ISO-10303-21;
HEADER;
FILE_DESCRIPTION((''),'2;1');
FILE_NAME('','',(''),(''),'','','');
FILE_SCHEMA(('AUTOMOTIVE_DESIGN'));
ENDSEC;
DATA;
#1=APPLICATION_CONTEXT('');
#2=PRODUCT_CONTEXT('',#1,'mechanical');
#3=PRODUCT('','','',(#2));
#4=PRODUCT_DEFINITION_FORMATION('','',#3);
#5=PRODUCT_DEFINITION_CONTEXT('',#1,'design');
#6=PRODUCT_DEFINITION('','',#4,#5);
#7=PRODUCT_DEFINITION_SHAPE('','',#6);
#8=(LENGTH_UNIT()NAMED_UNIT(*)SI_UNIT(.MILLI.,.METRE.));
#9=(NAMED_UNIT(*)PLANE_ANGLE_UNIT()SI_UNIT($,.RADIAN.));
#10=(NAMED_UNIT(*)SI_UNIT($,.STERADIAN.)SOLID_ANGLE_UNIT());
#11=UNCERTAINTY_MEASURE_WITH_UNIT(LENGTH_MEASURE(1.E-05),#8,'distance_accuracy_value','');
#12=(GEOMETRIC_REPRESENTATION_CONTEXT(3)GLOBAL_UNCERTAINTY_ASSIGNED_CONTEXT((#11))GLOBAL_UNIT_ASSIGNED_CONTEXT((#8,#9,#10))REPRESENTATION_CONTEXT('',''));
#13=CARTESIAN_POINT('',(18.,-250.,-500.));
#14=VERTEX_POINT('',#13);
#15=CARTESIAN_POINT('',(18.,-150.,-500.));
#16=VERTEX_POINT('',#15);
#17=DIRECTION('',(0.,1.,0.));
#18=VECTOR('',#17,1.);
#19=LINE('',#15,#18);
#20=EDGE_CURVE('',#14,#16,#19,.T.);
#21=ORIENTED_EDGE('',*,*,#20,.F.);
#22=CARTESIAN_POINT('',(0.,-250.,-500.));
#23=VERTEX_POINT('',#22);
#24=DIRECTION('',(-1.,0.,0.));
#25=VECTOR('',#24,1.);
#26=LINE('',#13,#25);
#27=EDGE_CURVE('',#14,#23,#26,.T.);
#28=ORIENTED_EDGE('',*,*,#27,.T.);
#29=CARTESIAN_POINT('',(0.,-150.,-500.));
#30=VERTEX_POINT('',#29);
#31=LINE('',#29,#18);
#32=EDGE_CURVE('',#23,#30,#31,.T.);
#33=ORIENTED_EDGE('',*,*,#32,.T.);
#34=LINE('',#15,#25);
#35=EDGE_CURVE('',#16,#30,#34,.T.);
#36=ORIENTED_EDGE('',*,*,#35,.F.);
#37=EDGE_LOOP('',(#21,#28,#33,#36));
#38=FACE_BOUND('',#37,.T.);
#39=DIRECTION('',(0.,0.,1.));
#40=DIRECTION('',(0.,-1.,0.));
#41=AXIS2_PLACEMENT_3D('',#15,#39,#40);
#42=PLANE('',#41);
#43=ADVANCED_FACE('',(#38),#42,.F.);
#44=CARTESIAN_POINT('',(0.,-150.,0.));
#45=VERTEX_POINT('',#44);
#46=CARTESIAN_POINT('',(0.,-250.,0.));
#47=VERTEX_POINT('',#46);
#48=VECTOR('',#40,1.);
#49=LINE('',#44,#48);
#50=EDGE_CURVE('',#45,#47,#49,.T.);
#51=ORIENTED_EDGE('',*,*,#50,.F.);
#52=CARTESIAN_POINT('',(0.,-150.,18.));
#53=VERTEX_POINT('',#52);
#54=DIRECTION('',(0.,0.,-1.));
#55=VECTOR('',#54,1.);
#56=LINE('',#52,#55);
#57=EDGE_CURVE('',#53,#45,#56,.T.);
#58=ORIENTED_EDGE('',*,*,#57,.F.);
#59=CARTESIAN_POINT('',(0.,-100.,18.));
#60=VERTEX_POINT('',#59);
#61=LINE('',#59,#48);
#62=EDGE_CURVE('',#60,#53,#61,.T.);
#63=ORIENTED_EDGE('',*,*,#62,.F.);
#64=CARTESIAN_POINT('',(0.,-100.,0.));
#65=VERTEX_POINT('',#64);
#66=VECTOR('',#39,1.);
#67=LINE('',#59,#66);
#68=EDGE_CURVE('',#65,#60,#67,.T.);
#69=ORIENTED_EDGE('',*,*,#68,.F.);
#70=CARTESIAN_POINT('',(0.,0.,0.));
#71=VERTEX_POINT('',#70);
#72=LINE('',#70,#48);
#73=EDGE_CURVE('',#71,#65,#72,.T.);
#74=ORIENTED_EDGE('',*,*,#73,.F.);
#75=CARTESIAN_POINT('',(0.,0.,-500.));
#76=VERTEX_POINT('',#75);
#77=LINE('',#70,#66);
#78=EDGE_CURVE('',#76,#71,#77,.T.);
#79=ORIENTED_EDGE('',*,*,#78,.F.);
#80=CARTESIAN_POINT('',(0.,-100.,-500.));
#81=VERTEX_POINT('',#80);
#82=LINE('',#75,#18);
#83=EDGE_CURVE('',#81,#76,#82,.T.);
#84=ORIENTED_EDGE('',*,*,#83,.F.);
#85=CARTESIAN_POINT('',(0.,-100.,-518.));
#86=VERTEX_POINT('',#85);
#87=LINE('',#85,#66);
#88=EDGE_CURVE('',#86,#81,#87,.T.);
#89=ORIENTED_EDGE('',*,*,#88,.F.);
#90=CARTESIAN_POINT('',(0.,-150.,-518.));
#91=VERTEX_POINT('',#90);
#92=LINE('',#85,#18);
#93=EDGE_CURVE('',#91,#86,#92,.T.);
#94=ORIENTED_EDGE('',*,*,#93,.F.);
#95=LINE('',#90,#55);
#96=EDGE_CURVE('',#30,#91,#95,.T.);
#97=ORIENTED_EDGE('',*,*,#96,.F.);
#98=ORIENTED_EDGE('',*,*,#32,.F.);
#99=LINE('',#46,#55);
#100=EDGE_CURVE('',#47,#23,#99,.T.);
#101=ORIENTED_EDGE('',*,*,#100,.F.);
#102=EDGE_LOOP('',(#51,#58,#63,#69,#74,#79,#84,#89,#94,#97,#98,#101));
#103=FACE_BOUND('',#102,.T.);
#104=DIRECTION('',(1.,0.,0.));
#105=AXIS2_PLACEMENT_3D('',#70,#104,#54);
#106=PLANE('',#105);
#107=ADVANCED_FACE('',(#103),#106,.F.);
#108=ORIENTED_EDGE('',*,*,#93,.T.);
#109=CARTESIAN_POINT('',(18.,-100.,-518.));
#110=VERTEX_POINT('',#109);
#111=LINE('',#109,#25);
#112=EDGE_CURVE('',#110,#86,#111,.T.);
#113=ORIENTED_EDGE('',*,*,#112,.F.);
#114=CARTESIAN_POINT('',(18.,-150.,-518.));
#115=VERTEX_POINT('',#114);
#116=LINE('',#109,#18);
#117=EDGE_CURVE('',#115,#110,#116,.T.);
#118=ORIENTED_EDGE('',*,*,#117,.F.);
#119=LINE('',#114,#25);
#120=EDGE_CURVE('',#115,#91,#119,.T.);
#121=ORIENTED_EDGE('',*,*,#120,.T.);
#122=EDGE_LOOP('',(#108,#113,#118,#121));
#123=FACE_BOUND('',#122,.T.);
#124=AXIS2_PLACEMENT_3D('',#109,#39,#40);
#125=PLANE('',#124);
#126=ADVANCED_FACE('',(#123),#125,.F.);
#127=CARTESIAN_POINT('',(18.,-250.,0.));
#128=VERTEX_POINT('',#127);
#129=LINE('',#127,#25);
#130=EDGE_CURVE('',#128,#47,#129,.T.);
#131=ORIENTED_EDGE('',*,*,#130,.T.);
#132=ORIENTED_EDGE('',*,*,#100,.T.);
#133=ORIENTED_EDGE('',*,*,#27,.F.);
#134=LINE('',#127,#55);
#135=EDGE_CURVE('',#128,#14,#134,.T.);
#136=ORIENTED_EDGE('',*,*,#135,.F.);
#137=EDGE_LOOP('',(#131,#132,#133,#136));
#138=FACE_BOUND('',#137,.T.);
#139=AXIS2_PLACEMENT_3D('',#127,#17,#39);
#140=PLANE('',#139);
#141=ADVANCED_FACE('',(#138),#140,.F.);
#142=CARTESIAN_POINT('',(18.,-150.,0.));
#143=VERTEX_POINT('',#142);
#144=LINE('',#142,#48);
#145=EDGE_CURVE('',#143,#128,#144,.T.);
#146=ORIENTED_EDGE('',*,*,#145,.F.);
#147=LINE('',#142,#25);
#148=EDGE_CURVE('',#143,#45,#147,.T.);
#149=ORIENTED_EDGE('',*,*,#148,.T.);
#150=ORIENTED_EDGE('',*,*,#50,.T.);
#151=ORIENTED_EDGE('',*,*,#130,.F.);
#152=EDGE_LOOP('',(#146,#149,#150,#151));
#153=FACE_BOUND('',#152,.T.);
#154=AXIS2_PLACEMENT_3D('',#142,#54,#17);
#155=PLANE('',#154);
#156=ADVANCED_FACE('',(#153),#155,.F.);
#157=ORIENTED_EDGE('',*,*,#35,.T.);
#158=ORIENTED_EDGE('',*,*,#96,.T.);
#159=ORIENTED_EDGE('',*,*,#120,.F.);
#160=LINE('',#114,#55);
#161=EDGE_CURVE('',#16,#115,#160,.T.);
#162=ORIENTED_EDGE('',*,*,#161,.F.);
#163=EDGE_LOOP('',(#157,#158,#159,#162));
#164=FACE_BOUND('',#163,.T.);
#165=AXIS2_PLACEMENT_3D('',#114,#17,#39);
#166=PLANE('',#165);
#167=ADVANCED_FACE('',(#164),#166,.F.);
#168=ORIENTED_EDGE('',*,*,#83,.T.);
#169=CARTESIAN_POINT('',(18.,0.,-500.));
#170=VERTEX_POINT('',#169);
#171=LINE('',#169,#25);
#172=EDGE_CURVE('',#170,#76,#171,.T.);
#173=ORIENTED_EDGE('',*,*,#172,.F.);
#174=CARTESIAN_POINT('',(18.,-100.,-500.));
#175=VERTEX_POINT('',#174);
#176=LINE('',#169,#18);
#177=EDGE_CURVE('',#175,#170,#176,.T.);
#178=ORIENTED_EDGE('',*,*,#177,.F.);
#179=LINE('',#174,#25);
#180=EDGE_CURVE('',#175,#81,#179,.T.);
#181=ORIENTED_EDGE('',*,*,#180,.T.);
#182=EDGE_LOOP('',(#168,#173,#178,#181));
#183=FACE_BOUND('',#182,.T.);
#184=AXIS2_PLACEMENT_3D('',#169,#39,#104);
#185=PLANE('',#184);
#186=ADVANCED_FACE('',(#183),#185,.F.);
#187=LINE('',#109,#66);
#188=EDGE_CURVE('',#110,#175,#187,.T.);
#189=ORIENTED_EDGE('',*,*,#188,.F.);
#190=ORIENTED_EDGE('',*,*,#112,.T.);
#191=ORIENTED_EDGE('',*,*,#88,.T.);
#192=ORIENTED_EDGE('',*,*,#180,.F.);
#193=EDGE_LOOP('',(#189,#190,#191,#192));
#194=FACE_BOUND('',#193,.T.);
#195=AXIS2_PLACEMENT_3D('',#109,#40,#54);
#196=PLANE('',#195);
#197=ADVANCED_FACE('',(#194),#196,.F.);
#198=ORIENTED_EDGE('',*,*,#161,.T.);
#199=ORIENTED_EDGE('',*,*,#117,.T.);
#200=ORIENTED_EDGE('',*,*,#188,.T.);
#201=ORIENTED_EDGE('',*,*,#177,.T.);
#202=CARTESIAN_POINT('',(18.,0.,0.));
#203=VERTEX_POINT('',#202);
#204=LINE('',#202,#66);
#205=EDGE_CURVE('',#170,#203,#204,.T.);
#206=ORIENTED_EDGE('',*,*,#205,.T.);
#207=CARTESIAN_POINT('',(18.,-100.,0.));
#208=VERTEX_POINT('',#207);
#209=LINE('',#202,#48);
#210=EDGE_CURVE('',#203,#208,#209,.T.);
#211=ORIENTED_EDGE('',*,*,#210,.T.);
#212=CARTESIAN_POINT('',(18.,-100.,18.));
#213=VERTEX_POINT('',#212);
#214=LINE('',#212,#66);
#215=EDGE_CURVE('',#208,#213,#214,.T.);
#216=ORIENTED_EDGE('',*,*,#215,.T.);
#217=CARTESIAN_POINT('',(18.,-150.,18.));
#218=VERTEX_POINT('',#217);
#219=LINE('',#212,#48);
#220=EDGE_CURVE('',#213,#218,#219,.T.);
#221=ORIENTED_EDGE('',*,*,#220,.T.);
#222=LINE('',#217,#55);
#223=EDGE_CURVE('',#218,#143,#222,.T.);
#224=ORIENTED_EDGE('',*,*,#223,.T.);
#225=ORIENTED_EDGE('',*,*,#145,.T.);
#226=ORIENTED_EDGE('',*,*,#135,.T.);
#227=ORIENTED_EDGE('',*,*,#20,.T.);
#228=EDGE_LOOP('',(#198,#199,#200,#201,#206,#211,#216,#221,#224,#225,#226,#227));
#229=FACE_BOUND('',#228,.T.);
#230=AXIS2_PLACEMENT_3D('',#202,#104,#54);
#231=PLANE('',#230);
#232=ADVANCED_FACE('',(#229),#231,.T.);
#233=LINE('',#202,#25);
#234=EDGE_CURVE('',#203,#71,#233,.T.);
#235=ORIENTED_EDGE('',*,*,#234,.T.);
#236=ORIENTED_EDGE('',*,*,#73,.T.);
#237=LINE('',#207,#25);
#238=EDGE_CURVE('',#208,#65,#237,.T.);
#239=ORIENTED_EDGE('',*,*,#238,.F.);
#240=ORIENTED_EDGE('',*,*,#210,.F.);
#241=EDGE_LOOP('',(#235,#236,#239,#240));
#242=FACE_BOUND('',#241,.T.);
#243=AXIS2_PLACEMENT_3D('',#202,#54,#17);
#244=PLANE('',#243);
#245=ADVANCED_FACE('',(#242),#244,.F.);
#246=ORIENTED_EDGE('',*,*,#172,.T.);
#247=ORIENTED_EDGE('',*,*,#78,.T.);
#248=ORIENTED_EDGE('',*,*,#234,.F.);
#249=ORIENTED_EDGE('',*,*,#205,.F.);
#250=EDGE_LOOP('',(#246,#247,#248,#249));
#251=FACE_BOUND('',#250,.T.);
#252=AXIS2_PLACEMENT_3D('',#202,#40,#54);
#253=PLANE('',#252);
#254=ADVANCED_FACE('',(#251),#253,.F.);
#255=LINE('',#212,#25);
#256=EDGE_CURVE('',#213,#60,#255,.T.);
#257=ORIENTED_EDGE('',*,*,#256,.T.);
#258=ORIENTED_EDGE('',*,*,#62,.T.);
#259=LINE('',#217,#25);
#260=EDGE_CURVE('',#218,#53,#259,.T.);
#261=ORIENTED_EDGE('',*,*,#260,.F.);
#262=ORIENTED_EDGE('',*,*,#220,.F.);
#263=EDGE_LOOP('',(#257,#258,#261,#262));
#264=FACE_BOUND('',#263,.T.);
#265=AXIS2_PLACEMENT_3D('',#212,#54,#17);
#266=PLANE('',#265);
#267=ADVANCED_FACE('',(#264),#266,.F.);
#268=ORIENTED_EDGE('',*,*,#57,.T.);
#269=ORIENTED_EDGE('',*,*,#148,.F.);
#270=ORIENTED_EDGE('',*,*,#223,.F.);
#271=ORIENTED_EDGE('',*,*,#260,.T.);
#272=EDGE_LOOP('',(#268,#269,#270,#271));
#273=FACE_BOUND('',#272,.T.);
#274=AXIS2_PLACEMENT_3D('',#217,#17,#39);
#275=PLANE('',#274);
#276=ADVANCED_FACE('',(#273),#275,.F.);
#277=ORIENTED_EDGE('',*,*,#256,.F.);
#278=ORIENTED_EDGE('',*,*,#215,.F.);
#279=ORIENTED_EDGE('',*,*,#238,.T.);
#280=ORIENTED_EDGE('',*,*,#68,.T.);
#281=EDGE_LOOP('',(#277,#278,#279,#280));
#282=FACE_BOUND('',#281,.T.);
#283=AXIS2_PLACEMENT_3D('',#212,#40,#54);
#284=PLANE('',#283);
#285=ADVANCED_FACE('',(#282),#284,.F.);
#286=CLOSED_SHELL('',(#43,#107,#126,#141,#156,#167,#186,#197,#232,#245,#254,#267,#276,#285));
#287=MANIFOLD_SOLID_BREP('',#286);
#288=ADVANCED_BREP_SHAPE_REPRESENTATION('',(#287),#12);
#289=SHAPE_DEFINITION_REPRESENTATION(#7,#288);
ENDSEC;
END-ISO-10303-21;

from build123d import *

# Parameters (mm, degrees)
BOSS_EXTRUDE1_DEPTH = 18


with BuildPart() as part:
    # Sketch1 → Boss-Extrude1 (new body)
    with BuildSketch(Plane(origin=(0, 0, 0), x_dir=(0, 0, -1), z_dir=(1, 0, 0))):
        Polygon((0, 0), (500, 0), (500, -100), (518, -100), (518, -150), (500, -150), (500, -250), (0, -250), (0, -150), (-18, -150), (-18, -100), (0, -100), align=None)
    extrude(amount=BOSS_EXTRUDE1_DEPTH)


solid = part.part
